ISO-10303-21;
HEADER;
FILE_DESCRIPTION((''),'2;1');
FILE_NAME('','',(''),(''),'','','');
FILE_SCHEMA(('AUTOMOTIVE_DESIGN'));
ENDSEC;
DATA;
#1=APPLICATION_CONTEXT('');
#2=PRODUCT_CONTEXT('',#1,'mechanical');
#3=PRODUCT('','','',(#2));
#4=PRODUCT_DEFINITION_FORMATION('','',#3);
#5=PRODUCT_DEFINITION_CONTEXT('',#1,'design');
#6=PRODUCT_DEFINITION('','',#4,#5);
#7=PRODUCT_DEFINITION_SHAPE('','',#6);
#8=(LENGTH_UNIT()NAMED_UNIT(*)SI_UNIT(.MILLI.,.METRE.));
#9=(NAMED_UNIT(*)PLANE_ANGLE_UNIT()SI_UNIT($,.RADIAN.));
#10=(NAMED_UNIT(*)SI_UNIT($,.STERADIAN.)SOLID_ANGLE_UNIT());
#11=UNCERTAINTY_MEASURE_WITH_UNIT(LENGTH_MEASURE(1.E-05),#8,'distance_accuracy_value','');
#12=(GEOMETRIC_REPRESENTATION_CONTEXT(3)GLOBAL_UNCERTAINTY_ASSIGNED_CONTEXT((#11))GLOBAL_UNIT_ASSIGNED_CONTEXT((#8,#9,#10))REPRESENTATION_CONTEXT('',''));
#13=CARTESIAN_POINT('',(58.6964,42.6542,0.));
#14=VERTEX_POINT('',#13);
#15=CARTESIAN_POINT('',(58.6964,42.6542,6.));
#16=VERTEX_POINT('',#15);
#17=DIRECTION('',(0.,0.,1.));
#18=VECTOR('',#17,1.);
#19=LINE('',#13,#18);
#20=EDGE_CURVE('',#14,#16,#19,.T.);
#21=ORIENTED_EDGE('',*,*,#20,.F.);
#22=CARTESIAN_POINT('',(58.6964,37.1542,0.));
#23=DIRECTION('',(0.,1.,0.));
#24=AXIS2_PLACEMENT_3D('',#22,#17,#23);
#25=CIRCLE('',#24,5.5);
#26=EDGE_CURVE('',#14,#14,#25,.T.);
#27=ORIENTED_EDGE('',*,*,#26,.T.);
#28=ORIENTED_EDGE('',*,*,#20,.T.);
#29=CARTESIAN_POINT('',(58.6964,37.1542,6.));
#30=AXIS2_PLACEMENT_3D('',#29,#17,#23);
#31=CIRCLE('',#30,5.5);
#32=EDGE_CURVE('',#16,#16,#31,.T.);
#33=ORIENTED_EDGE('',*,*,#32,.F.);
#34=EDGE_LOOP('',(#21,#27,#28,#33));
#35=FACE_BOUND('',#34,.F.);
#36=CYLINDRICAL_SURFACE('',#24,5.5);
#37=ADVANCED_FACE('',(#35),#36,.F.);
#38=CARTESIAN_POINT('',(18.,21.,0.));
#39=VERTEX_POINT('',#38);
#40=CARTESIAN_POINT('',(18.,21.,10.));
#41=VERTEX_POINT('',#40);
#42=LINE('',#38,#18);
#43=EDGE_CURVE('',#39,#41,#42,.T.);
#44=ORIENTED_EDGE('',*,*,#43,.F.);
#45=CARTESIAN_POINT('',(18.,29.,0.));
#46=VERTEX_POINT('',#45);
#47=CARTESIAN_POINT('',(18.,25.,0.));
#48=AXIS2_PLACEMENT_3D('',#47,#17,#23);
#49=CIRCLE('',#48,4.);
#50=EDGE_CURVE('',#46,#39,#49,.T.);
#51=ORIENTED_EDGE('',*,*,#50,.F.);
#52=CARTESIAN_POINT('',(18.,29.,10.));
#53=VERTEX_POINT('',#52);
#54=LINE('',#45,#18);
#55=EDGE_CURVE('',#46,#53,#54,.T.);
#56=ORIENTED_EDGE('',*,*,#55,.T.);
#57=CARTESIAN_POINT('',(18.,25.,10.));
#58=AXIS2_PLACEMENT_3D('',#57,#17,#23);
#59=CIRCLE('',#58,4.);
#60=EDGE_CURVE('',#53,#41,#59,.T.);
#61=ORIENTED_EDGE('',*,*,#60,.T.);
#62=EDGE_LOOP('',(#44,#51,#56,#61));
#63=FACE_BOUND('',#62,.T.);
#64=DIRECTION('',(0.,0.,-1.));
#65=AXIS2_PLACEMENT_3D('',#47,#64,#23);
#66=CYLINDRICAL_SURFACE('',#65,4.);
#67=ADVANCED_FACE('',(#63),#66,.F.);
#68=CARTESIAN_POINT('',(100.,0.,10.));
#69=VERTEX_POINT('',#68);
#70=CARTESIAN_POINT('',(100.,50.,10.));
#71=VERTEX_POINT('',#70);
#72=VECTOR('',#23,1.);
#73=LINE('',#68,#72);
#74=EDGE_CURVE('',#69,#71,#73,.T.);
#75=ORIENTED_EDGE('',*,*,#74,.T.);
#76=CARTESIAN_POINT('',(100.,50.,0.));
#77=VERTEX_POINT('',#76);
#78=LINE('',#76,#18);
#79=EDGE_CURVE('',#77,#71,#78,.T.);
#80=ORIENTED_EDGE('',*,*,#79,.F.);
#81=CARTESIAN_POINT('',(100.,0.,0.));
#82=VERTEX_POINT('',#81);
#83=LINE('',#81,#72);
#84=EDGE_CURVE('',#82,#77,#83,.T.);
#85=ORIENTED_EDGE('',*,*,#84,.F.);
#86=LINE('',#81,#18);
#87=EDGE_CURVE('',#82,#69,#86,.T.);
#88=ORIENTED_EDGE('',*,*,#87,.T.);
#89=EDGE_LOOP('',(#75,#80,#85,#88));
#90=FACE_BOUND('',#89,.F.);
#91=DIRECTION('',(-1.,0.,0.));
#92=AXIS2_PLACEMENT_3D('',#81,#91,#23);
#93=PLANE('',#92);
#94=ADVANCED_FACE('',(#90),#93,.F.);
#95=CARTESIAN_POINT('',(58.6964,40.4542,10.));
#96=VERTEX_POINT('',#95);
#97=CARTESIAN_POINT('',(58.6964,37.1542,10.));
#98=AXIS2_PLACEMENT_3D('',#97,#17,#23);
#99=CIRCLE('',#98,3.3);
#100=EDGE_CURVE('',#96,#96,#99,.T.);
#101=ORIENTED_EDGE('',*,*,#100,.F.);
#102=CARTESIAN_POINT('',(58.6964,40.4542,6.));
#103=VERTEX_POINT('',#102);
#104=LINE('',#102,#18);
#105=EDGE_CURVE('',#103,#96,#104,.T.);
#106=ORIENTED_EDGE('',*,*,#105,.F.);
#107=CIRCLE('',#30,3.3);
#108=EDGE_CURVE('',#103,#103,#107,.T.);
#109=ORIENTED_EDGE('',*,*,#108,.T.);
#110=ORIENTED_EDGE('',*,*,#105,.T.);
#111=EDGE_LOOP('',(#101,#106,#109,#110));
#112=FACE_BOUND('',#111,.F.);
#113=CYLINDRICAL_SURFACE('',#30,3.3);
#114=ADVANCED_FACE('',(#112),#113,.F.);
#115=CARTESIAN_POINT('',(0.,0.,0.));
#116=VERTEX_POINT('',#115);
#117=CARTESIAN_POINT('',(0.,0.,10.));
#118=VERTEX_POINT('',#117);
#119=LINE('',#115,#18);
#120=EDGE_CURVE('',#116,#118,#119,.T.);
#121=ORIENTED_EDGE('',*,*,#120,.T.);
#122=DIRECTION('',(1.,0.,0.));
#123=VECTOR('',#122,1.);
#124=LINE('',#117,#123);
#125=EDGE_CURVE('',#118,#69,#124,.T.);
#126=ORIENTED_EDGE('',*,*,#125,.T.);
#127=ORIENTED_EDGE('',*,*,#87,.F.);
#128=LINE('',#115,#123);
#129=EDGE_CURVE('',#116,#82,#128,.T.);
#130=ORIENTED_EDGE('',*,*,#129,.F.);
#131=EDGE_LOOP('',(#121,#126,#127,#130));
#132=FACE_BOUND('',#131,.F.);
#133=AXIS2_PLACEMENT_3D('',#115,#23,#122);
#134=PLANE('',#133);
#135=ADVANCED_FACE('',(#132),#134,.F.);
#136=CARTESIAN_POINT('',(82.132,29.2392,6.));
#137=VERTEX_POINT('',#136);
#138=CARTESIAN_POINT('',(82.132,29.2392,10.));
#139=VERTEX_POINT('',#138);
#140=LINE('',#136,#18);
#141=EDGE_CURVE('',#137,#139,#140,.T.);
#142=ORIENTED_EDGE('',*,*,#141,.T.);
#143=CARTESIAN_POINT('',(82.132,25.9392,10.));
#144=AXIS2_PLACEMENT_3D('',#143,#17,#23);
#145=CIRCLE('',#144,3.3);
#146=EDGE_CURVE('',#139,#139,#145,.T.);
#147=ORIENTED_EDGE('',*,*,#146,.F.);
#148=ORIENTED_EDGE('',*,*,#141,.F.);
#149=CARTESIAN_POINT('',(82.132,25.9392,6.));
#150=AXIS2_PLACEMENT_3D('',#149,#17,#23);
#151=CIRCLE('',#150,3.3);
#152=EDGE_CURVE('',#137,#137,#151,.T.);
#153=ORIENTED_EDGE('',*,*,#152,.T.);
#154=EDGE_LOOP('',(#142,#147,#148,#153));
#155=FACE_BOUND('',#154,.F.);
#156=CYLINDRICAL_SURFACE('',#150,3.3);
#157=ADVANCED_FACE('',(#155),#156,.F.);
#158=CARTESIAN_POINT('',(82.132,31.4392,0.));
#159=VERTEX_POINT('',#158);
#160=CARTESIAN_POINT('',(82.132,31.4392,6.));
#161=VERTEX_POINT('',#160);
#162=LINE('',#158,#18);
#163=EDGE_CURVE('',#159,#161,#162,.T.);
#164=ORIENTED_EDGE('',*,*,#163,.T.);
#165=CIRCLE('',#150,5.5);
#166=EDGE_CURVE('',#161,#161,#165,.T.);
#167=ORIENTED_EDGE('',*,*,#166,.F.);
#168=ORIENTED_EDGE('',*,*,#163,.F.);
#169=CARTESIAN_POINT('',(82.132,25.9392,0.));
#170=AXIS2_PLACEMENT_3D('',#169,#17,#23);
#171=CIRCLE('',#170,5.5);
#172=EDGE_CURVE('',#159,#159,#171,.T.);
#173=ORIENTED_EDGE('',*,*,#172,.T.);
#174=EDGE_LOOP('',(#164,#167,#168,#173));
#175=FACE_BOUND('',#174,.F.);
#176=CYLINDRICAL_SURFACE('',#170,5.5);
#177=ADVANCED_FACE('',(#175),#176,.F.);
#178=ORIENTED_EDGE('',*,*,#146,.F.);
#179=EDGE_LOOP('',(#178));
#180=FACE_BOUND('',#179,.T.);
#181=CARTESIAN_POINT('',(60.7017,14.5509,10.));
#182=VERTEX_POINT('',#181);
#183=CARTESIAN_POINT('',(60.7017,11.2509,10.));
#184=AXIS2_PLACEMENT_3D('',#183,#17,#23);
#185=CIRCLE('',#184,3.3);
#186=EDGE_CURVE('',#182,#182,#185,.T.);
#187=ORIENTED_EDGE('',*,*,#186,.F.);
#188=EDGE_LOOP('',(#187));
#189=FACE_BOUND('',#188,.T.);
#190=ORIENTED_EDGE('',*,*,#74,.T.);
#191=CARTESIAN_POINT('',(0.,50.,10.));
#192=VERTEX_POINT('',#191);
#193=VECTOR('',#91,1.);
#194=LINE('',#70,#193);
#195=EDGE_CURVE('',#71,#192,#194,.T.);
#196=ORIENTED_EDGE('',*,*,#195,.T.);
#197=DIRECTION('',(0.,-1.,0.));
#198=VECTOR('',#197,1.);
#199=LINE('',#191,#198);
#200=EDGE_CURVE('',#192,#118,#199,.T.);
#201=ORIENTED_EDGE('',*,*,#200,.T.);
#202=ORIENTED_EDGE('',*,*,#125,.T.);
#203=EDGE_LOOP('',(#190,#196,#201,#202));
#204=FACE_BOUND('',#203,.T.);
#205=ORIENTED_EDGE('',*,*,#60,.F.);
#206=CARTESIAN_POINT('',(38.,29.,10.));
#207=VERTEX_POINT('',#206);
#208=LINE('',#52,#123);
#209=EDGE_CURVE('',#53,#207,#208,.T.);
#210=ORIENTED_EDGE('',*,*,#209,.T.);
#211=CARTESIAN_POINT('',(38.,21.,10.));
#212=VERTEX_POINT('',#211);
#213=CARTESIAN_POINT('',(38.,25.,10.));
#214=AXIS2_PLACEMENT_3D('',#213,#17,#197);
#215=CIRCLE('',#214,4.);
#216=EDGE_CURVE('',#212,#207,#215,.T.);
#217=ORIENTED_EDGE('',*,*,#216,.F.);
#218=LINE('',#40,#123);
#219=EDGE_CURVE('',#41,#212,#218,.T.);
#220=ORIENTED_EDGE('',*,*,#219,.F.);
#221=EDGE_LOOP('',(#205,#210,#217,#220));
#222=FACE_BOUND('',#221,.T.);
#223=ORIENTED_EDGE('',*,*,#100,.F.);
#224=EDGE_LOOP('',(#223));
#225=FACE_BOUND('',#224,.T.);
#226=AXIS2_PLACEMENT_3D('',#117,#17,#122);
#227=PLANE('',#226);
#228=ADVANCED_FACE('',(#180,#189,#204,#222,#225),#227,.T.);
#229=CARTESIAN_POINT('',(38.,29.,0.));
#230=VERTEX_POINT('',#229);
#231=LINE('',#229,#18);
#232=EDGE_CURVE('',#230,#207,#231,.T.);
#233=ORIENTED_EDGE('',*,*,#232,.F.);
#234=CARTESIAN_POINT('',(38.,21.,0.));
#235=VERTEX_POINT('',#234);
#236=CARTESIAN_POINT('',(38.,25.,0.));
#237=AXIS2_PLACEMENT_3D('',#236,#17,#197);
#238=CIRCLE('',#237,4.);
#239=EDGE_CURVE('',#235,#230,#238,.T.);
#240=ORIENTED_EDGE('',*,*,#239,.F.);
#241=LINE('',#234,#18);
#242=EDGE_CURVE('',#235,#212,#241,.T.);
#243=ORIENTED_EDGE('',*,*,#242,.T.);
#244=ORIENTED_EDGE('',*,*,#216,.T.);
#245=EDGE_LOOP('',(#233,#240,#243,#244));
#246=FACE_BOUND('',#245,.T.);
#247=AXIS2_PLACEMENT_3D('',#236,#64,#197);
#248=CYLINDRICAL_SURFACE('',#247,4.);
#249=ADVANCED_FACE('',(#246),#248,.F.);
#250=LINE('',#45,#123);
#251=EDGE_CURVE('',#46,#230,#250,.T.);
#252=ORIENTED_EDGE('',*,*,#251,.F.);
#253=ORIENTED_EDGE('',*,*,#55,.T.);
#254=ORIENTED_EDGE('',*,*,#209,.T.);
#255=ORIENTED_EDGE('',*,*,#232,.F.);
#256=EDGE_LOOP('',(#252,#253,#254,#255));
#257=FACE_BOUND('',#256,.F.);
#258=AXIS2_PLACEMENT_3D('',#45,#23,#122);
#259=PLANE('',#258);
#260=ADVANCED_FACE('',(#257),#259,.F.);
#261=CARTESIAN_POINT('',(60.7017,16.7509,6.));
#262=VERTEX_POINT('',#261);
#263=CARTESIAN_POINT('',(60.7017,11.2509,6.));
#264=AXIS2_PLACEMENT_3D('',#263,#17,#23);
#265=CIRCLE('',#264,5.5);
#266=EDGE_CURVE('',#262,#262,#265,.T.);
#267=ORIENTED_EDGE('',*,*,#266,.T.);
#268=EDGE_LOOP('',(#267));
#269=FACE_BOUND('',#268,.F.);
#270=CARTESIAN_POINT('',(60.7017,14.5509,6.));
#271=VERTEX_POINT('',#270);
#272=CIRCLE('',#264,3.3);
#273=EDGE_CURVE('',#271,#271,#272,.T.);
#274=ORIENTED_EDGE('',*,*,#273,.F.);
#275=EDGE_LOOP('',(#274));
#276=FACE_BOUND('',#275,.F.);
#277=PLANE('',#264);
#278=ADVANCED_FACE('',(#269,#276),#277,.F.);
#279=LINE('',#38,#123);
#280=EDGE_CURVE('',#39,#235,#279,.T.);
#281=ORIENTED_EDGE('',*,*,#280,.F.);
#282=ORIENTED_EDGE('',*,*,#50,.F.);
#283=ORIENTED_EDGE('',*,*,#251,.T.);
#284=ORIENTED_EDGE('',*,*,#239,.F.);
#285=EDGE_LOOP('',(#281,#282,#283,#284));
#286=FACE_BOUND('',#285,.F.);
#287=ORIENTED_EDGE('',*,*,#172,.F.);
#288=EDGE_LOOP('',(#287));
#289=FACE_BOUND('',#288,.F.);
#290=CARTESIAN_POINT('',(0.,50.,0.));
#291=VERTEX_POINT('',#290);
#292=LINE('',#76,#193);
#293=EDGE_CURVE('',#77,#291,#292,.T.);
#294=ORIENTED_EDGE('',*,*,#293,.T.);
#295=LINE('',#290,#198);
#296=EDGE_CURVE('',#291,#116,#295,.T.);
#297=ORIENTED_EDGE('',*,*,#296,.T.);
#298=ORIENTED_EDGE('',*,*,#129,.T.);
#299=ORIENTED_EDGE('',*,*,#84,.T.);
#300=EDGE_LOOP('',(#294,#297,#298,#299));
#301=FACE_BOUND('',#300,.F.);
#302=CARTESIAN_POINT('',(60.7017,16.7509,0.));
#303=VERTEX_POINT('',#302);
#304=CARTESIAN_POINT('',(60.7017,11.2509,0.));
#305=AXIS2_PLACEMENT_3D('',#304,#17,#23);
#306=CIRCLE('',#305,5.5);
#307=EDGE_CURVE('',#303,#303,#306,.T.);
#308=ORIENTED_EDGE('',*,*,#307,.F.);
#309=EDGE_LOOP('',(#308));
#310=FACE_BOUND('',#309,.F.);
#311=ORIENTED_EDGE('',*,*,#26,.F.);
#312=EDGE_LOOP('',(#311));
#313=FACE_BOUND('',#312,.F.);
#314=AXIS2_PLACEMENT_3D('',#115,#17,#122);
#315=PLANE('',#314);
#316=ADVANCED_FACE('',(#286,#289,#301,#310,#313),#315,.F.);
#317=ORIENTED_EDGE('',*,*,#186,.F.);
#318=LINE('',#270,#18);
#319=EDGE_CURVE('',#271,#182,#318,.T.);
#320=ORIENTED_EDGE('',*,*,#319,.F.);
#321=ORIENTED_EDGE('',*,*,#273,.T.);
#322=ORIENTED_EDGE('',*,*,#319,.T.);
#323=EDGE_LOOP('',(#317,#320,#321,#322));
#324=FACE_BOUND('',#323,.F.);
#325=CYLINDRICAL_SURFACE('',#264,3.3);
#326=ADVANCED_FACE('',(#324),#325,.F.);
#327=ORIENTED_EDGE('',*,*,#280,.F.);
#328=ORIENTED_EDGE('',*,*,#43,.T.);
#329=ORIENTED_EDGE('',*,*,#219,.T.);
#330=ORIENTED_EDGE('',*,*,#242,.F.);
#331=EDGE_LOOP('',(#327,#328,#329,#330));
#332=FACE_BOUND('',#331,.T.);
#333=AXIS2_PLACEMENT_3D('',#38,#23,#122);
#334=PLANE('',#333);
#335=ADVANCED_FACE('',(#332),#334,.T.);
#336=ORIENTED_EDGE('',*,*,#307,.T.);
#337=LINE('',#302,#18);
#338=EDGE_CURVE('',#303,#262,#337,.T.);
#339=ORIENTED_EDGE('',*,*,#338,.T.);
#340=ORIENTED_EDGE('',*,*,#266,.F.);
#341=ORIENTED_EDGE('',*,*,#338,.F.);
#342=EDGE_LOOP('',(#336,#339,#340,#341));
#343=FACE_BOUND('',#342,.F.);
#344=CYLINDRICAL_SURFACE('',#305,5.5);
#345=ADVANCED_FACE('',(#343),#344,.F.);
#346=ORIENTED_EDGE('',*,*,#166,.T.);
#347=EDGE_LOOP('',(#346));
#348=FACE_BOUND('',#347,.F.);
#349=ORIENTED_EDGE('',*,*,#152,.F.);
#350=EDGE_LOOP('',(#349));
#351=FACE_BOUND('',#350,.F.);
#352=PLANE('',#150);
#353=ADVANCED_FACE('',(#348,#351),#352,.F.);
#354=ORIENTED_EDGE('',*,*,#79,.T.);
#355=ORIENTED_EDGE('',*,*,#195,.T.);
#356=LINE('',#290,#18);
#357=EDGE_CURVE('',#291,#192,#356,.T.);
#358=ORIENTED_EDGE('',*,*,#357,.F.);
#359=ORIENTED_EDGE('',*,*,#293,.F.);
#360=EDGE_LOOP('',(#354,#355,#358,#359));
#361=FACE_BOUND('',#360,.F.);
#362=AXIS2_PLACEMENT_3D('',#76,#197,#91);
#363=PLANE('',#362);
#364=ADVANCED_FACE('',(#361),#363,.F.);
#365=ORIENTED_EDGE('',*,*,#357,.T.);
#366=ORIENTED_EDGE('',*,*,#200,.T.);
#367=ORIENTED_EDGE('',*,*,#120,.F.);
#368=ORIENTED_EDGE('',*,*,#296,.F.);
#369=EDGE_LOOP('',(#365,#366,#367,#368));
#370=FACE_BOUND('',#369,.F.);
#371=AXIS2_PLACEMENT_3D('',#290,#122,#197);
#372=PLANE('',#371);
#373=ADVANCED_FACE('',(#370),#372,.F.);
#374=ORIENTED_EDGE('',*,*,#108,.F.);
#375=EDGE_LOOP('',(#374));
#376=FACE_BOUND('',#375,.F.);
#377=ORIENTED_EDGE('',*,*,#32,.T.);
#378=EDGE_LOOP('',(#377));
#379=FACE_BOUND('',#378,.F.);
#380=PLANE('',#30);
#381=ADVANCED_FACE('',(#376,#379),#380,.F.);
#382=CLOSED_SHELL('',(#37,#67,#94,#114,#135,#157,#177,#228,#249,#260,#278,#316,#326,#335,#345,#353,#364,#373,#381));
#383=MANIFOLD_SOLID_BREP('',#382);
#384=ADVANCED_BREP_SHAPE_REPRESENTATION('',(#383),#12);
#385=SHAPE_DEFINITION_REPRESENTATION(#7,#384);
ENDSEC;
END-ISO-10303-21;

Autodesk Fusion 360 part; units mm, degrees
sketch "Sketch1" plane through (0, 0, 0) normal (0, 0, 1) x (1, 0, 0)
  line L0 (0, 0) -> (100, 0)
  line L1 (100, 0) -> (100, 50)
  line L2 (100, 50) -> (0, 50)
  line L3 (0, 50) -> (0, 0)
  circle A0 centre (82.132, 25.9392) radius 5.5
  circle A1 centre (60.7017, 11.2509) radius 5.5
  circle A2 centre (58.6964, 37.1542) radius 3
  line L4 (18, 29) -> (38, 29)
  line L5 (18, 21) -> (38, 21)
  arc A3 (18, 29) -> (18, 21) centre (18, 25) ccw
  arc A4 (38, 21) -> (38, 29) centre (38, 25) ccw
  circle A5 centre (58.6964, 37.1542) radius 5.5
  circle A6 centre (60.7017, 11.2509) radius 3.3
  circle A7 centre (82.132, 25.9392) radius 3.3
  dimension "d24" = 11
  dimension "d25" = 11
  dimension "d26" = 6.6
  dimension "d27" = 11
  dimension "d28" = 6.6
sketch "Sketch2" plane through (0, 0, 0) normal (0, 0, 1) x (1, 0, 0)
extrude "Extrude1" add sketch "Sketch1" along normal blind 10 contours L0 L1 L2 L3 | A0 | A1 | A2 | A5 | A6 | A7
hole "Hole1" at (58.6964, 37.1542, 0) at (60.7017, 11.2509, 0) at (82.132, 25.9392, 0) direction (0, 0, 1) diameter 6.6 depth 20 tip angle 118 counterbore diameter 11 counterbore depth 6
